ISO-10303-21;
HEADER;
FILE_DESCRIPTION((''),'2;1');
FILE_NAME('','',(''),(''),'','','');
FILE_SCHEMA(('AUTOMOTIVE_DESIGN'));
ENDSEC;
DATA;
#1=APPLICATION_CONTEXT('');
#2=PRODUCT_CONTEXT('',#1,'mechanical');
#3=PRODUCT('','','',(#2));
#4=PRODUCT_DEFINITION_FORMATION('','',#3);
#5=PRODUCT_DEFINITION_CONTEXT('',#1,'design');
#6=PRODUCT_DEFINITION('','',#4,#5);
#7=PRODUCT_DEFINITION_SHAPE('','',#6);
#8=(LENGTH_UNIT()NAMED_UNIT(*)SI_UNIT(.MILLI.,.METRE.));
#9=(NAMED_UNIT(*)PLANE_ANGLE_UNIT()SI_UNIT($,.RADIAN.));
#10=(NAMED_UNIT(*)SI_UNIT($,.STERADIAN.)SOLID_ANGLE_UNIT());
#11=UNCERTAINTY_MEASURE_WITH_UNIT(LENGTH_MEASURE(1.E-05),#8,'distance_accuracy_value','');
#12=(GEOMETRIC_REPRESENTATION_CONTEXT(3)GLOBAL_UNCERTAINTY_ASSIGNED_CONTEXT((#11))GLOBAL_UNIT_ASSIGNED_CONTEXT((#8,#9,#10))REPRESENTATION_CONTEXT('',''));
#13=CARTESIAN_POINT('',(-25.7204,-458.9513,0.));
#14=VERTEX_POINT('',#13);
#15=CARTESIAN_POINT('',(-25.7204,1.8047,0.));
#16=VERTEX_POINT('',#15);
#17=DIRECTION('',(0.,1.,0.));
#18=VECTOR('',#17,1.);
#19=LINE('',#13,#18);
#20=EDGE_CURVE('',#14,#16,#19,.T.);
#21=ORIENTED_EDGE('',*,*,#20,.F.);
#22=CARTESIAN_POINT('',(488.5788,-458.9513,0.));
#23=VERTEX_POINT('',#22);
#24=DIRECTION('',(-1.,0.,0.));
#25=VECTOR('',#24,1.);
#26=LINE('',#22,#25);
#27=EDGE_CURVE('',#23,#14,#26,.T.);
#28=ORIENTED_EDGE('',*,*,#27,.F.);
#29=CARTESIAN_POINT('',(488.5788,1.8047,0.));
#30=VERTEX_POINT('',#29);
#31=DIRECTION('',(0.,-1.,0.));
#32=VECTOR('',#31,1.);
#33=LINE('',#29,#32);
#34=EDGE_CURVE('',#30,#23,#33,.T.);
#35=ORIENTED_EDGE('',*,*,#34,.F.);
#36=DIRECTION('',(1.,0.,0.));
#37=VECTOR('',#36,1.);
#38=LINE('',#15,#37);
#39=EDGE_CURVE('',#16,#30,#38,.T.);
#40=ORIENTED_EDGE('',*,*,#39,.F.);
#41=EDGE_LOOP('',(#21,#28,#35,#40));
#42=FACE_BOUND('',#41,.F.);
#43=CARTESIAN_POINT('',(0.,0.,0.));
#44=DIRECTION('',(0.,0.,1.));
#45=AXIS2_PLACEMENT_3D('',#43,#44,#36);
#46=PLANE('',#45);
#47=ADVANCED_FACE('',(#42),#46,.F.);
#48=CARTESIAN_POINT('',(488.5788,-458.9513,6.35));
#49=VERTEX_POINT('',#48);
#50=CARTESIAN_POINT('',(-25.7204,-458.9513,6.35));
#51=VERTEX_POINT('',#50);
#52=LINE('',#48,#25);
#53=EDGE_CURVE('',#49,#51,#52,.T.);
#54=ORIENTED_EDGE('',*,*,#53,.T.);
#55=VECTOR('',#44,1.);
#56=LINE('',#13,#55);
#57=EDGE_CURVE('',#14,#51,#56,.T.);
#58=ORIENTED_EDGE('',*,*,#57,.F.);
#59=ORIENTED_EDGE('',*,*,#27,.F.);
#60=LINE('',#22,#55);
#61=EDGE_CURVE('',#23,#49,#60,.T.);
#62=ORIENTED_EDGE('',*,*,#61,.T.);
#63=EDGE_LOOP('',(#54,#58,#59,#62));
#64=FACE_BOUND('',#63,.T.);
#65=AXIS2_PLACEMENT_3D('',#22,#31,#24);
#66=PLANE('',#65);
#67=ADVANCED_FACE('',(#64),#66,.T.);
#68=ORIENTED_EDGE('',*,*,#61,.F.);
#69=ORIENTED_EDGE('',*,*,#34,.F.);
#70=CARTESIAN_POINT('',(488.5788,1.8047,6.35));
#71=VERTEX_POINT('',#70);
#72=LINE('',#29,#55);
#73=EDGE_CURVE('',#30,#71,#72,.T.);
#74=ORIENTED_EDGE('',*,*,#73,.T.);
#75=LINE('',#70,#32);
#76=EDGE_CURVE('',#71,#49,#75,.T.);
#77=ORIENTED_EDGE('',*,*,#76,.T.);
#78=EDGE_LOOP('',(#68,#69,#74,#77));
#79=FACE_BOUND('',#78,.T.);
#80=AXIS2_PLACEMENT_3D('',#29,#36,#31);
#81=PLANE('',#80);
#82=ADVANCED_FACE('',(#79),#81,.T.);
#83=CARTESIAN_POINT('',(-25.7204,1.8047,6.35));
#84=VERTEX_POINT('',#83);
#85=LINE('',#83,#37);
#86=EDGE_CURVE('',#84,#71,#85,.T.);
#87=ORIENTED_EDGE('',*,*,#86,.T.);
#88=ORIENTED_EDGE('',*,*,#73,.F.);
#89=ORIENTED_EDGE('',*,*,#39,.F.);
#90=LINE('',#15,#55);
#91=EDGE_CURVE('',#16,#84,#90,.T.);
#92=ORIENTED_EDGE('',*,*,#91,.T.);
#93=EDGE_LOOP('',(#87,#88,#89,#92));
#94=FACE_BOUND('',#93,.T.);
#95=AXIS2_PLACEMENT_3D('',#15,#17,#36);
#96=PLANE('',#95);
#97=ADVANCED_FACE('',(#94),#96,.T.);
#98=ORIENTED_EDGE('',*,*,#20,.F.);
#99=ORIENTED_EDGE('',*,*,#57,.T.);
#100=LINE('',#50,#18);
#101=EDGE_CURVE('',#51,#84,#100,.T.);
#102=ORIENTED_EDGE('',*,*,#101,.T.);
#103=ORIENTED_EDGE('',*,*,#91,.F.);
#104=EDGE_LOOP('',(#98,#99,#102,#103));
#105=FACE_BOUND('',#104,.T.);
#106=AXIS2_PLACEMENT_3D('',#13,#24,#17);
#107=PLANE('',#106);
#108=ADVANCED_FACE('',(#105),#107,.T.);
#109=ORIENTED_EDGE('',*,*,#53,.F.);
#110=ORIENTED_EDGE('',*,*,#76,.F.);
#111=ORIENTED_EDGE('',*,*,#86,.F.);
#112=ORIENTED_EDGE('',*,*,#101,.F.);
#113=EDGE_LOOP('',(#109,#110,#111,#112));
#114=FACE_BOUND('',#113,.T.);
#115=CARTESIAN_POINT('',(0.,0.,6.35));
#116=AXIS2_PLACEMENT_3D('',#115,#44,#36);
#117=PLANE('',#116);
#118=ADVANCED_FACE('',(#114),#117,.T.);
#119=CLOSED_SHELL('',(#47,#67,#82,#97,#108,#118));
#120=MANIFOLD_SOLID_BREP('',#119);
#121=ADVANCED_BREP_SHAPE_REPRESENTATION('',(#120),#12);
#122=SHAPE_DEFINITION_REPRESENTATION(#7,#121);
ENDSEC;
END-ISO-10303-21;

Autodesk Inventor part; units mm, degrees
ref_plane "YZ Plane" through (0, 0, 0) normal (1, 0, 0) x (0, 1, 0)
ref_plane "XZ Plane" through (0, 0, 0) normal (0, 1, 0) x (-1, 0, 0)
ref_plane "XY Plane" through (0, 0, 0) normal (0, 0, 1) x (1, 0, 0)
sketch "Sketch1" plane through (0, 0, 0) normal (0, 0, 1) x (1, 0, 0)
  line L0 (-25.7204, 1.8047) -> (488.5788, 1.8047)
  line L1 (488.5788, 1.8047) -> (488.5788, -458.9513)
  line L2 (488.5788, -458.9513) -> (-25.7204, -458.9513)
  line L3 (-25.7204, -458.9513) -> (-25.7204, 1.8047)
  point P0 (0, 0)
  dimension "d0" = 514.2992
  dimension "d1" = 460.756
extrude "Extrusion1" add sketch "Sketch1" along normal blind 6.35
properties part number "back"
